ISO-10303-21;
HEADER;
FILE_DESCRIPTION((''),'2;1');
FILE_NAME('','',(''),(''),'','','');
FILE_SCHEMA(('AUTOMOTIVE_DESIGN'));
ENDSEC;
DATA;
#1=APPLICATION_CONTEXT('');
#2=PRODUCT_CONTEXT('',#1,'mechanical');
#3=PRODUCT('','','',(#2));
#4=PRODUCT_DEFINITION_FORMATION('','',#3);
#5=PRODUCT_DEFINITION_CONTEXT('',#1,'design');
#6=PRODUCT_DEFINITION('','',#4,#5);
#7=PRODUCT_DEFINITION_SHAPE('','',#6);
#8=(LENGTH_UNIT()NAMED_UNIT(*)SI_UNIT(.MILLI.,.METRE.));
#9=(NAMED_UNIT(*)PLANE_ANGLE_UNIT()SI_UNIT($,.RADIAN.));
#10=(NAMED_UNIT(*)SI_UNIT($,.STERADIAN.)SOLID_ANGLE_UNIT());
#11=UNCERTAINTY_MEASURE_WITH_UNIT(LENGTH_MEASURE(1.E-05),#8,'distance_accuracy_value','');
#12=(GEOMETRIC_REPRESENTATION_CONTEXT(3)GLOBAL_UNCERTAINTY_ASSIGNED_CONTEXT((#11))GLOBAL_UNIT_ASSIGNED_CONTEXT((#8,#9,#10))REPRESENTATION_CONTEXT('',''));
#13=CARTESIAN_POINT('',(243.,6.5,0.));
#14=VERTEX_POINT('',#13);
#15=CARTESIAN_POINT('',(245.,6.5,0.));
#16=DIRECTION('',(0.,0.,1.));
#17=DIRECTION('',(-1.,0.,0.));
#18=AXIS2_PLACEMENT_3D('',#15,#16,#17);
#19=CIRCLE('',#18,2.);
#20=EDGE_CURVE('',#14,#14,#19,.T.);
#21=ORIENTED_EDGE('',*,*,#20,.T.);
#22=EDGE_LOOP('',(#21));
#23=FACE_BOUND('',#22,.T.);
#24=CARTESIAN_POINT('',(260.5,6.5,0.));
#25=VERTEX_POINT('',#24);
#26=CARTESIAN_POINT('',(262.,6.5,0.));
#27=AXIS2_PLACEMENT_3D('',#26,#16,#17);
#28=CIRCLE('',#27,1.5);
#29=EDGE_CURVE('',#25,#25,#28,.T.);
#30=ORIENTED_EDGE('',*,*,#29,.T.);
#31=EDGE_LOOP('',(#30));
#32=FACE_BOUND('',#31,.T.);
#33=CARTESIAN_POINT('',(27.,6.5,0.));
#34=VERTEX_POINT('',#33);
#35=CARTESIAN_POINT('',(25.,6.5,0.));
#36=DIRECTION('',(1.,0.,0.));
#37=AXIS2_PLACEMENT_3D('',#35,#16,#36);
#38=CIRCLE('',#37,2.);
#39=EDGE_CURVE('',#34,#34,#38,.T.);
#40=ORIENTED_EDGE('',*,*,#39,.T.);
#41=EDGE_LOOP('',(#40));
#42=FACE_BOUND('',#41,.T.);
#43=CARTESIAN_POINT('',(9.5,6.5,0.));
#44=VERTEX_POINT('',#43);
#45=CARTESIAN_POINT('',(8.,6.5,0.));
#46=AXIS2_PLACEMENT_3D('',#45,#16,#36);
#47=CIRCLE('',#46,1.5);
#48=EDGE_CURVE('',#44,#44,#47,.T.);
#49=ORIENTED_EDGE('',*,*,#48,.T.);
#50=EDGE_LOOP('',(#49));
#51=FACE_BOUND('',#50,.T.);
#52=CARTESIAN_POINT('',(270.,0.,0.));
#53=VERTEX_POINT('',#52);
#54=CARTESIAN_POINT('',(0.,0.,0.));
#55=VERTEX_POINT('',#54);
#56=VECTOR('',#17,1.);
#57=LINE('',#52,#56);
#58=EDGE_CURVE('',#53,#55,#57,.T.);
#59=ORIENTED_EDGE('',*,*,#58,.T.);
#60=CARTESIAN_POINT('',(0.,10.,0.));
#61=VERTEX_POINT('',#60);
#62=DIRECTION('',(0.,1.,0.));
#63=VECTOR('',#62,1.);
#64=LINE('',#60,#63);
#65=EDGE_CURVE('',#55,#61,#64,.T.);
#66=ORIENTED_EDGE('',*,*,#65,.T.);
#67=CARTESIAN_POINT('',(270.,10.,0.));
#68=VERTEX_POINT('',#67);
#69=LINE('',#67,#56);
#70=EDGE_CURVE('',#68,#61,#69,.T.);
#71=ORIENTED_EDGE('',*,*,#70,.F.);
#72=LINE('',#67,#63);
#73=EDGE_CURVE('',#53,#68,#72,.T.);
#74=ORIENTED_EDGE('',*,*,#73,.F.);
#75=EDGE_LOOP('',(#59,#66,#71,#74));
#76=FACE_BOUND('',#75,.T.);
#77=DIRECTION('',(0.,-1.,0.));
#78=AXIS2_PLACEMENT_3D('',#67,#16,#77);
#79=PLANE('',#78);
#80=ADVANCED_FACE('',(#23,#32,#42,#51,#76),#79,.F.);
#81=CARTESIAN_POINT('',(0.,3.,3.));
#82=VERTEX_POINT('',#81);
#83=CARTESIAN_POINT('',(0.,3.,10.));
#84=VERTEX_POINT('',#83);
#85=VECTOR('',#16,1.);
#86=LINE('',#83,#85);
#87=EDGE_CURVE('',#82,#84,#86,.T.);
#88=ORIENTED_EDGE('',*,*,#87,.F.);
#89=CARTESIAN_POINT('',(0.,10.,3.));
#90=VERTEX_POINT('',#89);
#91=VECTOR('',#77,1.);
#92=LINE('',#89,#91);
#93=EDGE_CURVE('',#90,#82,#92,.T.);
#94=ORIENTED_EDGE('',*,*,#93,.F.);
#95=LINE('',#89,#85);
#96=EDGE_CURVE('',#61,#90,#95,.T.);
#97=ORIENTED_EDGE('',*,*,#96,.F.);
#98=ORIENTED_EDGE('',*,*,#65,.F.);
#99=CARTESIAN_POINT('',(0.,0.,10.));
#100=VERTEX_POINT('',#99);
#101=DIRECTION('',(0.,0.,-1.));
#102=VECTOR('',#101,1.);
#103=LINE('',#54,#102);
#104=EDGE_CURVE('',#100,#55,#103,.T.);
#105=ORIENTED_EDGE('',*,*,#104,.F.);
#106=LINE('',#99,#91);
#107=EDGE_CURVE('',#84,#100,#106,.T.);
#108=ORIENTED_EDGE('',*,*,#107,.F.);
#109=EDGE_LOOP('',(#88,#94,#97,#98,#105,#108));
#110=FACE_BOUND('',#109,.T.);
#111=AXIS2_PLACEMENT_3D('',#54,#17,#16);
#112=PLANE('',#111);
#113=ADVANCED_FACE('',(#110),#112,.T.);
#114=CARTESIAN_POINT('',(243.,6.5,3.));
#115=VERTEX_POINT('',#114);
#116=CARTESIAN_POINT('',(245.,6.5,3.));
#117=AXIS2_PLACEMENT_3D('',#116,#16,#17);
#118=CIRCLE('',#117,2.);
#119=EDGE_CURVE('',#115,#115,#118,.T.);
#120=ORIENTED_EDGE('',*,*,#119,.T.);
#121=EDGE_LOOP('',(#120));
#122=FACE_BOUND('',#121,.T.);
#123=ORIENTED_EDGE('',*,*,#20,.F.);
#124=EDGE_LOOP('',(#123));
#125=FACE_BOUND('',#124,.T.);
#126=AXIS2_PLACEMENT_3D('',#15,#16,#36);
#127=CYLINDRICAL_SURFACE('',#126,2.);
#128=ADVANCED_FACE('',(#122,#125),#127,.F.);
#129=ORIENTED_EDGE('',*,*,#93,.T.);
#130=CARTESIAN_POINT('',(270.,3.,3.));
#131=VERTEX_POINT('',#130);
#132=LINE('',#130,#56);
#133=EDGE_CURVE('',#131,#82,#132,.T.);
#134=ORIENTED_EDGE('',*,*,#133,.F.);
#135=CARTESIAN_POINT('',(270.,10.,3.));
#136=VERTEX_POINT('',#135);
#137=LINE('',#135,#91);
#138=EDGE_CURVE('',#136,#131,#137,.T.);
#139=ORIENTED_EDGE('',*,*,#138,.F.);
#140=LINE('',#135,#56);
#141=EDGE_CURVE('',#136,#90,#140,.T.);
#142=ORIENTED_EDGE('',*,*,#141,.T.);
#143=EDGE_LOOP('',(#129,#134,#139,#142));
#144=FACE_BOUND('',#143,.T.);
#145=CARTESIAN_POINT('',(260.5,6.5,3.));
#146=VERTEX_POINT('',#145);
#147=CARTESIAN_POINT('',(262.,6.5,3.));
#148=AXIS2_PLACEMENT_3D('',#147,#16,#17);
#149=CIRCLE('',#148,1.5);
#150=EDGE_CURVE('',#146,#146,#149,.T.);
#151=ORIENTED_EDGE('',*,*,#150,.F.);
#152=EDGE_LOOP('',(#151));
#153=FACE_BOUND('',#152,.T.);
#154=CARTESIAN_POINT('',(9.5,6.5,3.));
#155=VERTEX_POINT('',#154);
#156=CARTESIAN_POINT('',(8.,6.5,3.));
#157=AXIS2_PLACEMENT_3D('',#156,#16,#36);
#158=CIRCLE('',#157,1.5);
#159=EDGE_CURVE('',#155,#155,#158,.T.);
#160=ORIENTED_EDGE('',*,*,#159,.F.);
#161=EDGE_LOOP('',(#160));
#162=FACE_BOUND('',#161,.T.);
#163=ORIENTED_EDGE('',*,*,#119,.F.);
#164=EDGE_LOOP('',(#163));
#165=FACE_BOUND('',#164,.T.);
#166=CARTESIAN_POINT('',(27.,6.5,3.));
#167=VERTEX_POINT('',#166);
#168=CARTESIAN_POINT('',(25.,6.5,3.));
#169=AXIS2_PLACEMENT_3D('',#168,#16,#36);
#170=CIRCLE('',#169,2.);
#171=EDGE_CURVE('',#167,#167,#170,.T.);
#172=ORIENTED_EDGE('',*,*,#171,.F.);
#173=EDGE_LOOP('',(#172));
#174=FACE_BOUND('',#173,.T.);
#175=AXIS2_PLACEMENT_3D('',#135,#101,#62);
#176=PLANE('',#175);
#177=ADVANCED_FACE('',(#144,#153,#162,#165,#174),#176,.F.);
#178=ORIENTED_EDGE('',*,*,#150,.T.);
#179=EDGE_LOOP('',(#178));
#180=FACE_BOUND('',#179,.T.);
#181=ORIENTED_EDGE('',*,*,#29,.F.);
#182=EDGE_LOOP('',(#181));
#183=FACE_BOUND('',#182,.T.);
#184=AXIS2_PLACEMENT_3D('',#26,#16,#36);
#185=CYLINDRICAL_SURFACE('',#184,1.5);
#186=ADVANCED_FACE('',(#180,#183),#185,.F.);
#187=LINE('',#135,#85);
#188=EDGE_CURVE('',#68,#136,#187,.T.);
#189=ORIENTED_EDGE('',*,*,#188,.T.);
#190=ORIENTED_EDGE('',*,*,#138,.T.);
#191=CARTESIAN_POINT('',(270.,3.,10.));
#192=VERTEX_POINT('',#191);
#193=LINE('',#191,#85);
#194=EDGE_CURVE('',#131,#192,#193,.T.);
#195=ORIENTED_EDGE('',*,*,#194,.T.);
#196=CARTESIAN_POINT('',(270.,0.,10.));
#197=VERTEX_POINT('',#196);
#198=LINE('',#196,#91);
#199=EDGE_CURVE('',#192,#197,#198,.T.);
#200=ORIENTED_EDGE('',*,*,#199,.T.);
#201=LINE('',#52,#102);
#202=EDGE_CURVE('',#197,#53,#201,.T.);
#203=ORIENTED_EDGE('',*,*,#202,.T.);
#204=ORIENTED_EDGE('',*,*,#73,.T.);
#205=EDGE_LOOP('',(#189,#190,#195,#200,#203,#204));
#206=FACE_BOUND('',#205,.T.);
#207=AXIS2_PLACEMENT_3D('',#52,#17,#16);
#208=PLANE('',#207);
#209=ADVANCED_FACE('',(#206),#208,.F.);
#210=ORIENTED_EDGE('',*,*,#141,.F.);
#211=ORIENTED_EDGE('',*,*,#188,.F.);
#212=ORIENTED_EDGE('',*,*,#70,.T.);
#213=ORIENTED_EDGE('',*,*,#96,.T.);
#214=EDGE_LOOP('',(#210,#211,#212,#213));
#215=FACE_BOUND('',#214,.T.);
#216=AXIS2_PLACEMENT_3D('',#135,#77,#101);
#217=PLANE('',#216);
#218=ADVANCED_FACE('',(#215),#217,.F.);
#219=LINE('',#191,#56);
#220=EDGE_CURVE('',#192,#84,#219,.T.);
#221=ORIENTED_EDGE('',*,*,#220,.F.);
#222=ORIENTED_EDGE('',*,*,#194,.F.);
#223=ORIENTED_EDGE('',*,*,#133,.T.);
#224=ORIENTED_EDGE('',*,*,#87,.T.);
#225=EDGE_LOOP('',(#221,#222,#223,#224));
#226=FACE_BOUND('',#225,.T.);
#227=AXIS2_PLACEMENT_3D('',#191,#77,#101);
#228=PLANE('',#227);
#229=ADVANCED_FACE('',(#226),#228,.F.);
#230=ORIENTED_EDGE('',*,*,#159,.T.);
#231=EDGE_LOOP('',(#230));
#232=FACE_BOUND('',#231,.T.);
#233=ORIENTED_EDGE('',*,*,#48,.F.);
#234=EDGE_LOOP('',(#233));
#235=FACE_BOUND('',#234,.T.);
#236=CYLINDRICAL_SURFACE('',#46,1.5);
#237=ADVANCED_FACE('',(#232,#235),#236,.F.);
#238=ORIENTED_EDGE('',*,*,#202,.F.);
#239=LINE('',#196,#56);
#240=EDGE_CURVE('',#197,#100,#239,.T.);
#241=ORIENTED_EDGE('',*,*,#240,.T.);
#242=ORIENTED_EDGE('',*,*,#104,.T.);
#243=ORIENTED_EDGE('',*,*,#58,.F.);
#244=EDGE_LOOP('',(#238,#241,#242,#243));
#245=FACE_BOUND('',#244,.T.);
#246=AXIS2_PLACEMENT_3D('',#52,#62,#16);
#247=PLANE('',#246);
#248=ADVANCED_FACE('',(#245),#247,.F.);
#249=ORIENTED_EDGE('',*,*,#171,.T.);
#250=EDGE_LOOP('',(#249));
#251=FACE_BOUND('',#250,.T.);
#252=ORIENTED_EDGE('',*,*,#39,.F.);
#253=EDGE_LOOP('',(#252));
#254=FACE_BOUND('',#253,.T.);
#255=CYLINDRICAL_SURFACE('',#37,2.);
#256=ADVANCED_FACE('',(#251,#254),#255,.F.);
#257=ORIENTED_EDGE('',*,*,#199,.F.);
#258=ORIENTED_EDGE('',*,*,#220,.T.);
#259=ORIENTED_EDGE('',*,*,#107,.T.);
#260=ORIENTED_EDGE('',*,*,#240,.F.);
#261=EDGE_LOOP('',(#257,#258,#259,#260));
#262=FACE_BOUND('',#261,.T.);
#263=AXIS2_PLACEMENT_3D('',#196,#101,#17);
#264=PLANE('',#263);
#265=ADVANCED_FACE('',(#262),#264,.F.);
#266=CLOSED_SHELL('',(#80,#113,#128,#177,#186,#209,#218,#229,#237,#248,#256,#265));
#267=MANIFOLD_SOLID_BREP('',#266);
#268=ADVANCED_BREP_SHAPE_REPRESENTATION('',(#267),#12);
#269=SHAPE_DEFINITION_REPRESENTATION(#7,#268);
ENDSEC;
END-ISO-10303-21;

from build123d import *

# Parameters (mm, degrees)
EXTRUDE_1_DEPTH     = 270
SKETCH_2_R          = 2
CUT_EXTRUDE_1_DEPTH = 4
SKETCH_5_R          = 1.5
CUT_EXTRUDE_2_DEPTH = 4


with BuildPart() as part:
    # Эскиз1 → Бобышка-Вытянуть1 (new body)
    with BuildSketch(Plane(origin=(0, 0, 0), x_dir=(0, 0, -1), z_dir=(1, 0, 0))):
        Polygon((0, 0), (-10, 0), (-10, 3), (-3, 3), (-3, 10), (0, 10), align=None)
    extrude(amount=EXTRUDE_1_DEPTH)

    # Эскиз2 → Вырез-Вытянуть1 (cut, through all)
    with BuildSketch(Plane.XY.offset(3)):
        with Locations((25, 6.5)):
            Circle(SKETCH_2_R)
        with Locations((245, 6.5)):
            Circle(SKETCH_2_R)
    extrude(amount=-CUT_EXTRUDE_1_DEPTH, mode=Mode.SUBTRACT)

    # Эскиз5 → Вырез-Вытянуть2 (cut, through all)
    with BuildSketch(Plane.XY.offset(3)):
        with Locations((8, 6.5)):
            Circle(SKETCH_5_R)
        with Locations((262, 6.5)):
            Circle(SKETCH_5_R)
    extrude(amount=-CUT_EXTRUDE_2_DEPTH, mode=Mode.SUBTRACT)


solid = part.part
